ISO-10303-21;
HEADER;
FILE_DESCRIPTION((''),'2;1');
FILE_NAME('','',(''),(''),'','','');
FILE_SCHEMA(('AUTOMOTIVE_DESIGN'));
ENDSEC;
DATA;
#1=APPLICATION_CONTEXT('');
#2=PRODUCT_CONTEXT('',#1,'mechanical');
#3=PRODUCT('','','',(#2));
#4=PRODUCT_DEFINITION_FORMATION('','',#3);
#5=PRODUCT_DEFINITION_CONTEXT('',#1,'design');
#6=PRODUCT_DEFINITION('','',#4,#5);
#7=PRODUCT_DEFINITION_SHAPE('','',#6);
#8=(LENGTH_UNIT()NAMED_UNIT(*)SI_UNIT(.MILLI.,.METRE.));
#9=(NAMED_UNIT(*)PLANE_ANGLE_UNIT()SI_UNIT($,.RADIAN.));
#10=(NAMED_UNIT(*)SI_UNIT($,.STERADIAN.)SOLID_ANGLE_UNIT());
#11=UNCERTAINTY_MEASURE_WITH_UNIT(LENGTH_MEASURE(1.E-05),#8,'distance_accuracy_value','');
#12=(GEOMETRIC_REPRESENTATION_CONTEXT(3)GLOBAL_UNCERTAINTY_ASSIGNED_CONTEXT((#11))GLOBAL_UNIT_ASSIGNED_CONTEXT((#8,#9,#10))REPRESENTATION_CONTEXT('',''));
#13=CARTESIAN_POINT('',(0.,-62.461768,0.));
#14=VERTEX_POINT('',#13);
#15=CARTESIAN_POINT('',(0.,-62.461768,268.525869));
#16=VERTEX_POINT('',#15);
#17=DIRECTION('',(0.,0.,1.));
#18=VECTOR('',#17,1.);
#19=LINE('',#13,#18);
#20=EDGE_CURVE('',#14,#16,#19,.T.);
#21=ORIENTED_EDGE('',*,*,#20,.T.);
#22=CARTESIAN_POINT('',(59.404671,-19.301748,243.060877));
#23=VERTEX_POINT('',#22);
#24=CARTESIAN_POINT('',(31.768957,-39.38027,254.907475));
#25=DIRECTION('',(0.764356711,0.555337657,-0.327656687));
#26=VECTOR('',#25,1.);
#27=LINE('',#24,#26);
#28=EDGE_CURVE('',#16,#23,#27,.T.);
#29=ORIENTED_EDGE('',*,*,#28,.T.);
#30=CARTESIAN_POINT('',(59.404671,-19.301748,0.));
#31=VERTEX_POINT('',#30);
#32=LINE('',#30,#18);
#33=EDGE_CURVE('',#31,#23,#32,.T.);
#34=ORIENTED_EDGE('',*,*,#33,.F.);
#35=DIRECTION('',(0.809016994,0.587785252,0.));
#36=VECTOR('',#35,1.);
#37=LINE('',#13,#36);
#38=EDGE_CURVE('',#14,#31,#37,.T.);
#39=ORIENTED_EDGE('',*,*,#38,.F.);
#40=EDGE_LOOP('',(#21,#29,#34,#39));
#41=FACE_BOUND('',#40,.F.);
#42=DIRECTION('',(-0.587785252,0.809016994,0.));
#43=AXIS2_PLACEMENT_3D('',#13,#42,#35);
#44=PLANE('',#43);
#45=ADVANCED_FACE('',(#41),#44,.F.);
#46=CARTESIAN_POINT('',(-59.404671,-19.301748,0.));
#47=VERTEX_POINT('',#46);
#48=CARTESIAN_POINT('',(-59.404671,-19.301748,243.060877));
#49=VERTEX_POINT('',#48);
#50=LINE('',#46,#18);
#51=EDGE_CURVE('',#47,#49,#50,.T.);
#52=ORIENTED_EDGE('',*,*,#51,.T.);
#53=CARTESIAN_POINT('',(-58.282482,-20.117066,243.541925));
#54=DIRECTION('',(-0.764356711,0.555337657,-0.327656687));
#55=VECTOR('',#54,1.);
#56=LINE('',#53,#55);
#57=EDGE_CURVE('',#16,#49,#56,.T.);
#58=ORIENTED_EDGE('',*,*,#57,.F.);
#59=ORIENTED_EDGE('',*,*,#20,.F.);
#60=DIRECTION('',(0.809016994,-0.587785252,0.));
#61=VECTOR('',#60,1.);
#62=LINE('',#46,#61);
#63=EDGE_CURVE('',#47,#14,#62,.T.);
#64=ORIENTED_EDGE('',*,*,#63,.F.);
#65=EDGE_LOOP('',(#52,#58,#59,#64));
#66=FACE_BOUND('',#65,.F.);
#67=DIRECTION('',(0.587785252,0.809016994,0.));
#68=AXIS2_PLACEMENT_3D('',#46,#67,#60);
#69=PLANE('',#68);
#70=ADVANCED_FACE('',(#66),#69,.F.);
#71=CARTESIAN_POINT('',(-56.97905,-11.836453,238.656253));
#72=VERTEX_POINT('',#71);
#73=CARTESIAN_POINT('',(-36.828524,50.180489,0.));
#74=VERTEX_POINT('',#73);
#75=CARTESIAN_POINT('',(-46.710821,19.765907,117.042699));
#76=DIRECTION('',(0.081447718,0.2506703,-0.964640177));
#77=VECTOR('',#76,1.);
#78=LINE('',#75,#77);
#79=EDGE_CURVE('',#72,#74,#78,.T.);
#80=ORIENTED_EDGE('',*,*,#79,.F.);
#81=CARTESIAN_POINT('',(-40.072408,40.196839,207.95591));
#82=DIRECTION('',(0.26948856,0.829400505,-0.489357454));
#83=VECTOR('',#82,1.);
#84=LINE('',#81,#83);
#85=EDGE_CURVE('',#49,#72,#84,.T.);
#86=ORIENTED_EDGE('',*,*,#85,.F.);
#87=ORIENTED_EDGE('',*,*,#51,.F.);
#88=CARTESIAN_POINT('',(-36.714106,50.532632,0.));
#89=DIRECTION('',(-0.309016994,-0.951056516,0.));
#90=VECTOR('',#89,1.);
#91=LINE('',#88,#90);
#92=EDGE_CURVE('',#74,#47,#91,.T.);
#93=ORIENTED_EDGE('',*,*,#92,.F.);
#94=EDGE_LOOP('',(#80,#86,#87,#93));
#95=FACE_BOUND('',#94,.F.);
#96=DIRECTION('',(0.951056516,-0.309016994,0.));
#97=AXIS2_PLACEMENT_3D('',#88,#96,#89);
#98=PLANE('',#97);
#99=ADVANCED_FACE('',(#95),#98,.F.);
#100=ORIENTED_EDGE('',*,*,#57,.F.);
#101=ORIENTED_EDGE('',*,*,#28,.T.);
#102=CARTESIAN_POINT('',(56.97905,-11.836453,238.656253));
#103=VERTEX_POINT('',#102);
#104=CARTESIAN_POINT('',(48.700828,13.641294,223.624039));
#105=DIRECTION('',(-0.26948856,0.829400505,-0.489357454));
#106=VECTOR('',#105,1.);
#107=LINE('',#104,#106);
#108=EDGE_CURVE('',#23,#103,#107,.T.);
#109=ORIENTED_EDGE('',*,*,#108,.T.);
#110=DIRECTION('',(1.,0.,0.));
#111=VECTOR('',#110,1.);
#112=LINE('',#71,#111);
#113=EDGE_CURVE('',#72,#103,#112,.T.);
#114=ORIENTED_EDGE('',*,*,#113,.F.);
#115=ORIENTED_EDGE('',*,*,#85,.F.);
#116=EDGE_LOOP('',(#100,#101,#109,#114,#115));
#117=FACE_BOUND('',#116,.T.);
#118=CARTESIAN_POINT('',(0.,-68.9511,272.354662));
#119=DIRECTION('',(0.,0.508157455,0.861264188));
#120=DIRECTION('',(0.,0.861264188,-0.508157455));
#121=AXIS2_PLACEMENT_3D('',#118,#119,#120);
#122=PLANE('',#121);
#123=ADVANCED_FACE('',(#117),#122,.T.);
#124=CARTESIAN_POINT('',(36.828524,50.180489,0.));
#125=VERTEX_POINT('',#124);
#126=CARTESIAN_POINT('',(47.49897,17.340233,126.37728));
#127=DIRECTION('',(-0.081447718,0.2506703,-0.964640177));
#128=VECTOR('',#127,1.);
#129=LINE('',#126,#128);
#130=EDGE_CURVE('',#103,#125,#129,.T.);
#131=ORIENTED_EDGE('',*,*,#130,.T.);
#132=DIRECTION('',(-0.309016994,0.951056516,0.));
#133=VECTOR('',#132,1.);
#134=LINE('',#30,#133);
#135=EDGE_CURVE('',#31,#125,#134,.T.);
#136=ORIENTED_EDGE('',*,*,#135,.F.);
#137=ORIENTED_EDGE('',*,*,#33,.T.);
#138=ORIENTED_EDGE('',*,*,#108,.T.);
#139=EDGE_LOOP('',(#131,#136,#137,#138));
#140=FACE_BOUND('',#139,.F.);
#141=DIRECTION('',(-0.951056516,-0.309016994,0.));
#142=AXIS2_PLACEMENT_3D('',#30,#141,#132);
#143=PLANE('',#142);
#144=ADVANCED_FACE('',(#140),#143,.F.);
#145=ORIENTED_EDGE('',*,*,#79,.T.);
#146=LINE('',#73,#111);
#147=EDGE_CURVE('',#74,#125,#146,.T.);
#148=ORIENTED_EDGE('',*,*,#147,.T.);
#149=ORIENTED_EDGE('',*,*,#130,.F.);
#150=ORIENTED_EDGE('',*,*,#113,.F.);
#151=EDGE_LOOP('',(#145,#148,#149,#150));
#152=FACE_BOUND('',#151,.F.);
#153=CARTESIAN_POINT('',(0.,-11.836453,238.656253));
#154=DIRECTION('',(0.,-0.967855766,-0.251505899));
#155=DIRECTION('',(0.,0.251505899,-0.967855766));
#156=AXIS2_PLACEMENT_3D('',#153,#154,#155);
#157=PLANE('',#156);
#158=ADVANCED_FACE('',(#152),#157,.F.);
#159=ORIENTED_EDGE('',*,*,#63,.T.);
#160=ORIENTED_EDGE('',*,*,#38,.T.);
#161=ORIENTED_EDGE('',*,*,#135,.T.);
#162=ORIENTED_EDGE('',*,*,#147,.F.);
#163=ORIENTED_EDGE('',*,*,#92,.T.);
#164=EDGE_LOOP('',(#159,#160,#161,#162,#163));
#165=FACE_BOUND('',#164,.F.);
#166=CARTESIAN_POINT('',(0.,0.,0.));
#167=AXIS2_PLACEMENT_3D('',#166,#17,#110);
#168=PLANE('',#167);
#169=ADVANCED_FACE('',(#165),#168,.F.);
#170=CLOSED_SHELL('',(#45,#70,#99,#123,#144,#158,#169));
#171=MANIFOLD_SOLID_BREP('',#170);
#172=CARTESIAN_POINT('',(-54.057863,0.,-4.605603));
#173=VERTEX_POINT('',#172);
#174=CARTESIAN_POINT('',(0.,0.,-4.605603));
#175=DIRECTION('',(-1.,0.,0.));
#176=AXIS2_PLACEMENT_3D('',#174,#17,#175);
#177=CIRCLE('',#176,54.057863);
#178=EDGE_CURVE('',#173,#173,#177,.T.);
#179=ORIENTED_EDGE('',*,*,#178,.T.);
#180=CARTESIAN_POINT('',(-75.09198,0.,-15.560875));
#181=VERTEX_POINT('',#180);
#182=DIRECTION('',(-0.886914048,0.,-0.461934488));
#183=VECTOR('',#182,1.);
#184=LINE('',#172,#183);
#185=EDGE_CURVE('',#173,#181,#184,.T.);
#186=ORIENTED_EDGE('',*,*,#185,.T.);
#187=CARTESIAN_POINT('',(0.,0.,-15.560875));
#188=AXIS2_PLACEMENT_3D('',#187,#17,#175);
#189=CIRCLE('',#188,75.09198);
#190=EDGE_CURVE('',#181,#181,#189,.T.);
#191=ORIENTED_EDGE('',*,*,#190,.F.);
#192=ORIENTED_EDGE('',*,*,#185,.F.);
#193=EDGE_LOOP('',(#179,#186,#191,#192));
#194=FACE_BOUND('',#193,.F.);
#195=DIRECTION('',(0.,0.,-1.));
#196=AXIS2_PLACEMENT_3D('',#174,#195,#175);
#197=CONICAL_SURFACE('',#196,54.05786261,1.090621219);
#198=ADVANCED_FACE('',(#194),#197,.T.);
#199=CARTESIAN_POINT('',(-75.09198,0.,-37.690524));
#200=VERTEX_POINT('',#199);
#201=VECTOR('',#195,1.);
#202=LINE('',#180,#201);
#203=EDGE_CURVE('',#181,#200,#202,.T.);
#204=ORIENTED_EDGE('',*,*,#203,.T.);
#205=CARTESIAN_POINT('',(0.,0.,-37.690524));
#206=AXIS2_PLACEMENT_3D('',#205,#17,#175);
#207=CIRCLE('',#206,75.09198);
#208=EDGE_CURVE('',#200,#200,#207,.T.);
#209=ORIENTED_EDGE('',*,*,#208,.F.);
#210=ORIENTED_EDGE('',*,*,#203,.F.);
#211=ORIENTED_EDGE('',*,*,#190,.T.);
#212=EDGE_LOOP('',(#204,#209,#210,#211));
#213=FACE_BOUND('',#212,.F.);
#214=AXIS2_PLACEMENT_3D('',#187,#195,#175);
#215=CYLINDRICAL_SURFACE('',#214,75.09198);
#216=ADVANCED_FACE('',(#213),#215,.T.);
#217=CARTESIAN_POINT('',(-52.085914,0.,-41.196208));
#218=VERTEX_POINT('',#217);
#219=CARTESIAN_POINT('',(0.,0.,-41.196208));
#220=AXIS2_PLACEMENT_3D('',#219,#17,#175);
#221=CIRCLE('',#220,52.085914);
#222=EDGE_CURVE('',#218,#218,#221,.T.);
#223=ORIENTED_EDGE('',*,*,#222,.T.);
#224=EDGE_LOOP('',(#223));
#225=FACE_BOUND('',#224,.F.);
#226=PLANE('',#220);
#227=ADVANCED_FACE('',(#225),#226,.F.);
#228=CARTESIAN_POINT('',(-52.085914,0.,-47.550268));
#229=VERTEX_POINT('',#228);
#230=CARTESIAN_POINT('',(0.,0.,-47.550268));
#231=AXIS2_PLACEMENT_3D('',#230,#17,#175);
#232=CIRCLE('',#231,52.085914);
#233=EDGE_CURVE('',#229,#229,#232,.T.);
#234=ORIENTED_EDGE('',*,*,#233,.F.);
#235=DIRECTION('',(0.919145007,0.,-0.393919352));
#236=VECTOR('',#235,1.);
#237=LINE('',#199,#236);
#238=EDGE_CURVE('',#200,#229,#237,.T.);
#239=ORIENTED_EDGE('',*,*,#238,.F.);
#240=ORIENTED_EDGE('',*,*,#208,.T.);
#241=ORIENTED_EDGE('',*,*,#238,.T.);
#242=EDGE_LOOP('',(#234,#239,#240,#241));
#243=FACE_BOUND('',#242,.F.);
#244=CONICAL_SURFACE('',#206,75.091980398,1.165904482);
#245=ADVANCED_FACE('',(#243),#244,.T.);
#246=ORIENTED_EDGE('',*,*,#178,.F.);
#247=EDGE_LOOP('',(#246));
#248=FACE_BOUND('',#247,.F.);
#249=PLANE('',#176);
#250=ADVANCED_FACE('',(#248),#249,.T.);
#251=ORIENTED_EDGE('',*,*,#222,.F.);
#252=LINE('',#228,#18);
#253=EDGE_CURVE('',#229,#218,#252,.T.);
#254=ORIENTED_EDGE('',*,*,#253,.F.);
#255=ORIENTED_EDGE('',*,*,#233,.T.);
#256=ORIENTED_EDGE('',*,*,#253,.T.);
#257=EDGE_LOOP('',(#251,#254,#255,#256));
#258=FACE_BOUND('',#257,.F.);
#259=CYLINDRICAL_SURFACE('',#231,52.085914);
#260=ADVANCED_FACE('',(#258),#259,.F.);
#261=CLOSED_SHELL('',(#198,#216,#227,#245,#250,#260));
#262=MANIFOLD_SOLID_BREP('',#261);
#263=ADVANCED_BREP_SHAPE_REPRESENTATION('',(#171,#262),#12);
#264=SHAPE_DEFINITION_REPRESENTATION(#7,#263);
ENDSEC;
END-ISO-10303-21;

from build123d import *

# Parameters (mm, degrees)
F1_DEPTH      = 274.32
F3_DEPTH      = 76.2
F3_DEPTH_BACK = 76.2


with BuildPart() as f1:
    # F0 (on Top) → F1 (new body)
    with BuildSketch(Plane.XY):
        Polygon((36.714105892, 50.5326315761), (-36.714105892, 50.5326315761), (-59.4046711999, -19.3017477211), (0, -62.46176771), (59.4046711999, -19.3017477211), align=None)
    extrude(amount=F1_DEPTH)

    # F2 (on Right) → F3 (cut, two sides)
    with BuildSketch(Plane.YZ) as f3_sk:
        Polygon((53.4598119557, -12.6196304336), (110.7068517473, 303.1274229288), (-68.951100111, 303.1274229288), (-68.951100111, 272.3546624184), (-11.8364533409, 238.6562526226), align=None)
    extrude(amount=-F3_DEPTH, mode=Mode.SUBTRACT)
    extrude(f3_sk.sketch, amount=F3_DEPTH_BACK, mode=Mode.SUBTRACT)


with BuildPart() as f5:
    # F4 (on Front) → F5 (revolve)
    with BuildSketch(Plane.XZ):
        Polygon((0, -41.1962084472), (0, -4.6056029387), (-54.0578626096, -4.6056029387), (-75.0919803977, -15.5608747154), (-75.0919803977, -37.6905240119), (-52.0859137177, -47.5502684712), (-52.0859137177, -41.1962084472), align=None)
    revolve(axis=Axis((0, 0, -22.9009056929), (0, 0, 1)))


solid = Compound([f1.part, f5.part])
